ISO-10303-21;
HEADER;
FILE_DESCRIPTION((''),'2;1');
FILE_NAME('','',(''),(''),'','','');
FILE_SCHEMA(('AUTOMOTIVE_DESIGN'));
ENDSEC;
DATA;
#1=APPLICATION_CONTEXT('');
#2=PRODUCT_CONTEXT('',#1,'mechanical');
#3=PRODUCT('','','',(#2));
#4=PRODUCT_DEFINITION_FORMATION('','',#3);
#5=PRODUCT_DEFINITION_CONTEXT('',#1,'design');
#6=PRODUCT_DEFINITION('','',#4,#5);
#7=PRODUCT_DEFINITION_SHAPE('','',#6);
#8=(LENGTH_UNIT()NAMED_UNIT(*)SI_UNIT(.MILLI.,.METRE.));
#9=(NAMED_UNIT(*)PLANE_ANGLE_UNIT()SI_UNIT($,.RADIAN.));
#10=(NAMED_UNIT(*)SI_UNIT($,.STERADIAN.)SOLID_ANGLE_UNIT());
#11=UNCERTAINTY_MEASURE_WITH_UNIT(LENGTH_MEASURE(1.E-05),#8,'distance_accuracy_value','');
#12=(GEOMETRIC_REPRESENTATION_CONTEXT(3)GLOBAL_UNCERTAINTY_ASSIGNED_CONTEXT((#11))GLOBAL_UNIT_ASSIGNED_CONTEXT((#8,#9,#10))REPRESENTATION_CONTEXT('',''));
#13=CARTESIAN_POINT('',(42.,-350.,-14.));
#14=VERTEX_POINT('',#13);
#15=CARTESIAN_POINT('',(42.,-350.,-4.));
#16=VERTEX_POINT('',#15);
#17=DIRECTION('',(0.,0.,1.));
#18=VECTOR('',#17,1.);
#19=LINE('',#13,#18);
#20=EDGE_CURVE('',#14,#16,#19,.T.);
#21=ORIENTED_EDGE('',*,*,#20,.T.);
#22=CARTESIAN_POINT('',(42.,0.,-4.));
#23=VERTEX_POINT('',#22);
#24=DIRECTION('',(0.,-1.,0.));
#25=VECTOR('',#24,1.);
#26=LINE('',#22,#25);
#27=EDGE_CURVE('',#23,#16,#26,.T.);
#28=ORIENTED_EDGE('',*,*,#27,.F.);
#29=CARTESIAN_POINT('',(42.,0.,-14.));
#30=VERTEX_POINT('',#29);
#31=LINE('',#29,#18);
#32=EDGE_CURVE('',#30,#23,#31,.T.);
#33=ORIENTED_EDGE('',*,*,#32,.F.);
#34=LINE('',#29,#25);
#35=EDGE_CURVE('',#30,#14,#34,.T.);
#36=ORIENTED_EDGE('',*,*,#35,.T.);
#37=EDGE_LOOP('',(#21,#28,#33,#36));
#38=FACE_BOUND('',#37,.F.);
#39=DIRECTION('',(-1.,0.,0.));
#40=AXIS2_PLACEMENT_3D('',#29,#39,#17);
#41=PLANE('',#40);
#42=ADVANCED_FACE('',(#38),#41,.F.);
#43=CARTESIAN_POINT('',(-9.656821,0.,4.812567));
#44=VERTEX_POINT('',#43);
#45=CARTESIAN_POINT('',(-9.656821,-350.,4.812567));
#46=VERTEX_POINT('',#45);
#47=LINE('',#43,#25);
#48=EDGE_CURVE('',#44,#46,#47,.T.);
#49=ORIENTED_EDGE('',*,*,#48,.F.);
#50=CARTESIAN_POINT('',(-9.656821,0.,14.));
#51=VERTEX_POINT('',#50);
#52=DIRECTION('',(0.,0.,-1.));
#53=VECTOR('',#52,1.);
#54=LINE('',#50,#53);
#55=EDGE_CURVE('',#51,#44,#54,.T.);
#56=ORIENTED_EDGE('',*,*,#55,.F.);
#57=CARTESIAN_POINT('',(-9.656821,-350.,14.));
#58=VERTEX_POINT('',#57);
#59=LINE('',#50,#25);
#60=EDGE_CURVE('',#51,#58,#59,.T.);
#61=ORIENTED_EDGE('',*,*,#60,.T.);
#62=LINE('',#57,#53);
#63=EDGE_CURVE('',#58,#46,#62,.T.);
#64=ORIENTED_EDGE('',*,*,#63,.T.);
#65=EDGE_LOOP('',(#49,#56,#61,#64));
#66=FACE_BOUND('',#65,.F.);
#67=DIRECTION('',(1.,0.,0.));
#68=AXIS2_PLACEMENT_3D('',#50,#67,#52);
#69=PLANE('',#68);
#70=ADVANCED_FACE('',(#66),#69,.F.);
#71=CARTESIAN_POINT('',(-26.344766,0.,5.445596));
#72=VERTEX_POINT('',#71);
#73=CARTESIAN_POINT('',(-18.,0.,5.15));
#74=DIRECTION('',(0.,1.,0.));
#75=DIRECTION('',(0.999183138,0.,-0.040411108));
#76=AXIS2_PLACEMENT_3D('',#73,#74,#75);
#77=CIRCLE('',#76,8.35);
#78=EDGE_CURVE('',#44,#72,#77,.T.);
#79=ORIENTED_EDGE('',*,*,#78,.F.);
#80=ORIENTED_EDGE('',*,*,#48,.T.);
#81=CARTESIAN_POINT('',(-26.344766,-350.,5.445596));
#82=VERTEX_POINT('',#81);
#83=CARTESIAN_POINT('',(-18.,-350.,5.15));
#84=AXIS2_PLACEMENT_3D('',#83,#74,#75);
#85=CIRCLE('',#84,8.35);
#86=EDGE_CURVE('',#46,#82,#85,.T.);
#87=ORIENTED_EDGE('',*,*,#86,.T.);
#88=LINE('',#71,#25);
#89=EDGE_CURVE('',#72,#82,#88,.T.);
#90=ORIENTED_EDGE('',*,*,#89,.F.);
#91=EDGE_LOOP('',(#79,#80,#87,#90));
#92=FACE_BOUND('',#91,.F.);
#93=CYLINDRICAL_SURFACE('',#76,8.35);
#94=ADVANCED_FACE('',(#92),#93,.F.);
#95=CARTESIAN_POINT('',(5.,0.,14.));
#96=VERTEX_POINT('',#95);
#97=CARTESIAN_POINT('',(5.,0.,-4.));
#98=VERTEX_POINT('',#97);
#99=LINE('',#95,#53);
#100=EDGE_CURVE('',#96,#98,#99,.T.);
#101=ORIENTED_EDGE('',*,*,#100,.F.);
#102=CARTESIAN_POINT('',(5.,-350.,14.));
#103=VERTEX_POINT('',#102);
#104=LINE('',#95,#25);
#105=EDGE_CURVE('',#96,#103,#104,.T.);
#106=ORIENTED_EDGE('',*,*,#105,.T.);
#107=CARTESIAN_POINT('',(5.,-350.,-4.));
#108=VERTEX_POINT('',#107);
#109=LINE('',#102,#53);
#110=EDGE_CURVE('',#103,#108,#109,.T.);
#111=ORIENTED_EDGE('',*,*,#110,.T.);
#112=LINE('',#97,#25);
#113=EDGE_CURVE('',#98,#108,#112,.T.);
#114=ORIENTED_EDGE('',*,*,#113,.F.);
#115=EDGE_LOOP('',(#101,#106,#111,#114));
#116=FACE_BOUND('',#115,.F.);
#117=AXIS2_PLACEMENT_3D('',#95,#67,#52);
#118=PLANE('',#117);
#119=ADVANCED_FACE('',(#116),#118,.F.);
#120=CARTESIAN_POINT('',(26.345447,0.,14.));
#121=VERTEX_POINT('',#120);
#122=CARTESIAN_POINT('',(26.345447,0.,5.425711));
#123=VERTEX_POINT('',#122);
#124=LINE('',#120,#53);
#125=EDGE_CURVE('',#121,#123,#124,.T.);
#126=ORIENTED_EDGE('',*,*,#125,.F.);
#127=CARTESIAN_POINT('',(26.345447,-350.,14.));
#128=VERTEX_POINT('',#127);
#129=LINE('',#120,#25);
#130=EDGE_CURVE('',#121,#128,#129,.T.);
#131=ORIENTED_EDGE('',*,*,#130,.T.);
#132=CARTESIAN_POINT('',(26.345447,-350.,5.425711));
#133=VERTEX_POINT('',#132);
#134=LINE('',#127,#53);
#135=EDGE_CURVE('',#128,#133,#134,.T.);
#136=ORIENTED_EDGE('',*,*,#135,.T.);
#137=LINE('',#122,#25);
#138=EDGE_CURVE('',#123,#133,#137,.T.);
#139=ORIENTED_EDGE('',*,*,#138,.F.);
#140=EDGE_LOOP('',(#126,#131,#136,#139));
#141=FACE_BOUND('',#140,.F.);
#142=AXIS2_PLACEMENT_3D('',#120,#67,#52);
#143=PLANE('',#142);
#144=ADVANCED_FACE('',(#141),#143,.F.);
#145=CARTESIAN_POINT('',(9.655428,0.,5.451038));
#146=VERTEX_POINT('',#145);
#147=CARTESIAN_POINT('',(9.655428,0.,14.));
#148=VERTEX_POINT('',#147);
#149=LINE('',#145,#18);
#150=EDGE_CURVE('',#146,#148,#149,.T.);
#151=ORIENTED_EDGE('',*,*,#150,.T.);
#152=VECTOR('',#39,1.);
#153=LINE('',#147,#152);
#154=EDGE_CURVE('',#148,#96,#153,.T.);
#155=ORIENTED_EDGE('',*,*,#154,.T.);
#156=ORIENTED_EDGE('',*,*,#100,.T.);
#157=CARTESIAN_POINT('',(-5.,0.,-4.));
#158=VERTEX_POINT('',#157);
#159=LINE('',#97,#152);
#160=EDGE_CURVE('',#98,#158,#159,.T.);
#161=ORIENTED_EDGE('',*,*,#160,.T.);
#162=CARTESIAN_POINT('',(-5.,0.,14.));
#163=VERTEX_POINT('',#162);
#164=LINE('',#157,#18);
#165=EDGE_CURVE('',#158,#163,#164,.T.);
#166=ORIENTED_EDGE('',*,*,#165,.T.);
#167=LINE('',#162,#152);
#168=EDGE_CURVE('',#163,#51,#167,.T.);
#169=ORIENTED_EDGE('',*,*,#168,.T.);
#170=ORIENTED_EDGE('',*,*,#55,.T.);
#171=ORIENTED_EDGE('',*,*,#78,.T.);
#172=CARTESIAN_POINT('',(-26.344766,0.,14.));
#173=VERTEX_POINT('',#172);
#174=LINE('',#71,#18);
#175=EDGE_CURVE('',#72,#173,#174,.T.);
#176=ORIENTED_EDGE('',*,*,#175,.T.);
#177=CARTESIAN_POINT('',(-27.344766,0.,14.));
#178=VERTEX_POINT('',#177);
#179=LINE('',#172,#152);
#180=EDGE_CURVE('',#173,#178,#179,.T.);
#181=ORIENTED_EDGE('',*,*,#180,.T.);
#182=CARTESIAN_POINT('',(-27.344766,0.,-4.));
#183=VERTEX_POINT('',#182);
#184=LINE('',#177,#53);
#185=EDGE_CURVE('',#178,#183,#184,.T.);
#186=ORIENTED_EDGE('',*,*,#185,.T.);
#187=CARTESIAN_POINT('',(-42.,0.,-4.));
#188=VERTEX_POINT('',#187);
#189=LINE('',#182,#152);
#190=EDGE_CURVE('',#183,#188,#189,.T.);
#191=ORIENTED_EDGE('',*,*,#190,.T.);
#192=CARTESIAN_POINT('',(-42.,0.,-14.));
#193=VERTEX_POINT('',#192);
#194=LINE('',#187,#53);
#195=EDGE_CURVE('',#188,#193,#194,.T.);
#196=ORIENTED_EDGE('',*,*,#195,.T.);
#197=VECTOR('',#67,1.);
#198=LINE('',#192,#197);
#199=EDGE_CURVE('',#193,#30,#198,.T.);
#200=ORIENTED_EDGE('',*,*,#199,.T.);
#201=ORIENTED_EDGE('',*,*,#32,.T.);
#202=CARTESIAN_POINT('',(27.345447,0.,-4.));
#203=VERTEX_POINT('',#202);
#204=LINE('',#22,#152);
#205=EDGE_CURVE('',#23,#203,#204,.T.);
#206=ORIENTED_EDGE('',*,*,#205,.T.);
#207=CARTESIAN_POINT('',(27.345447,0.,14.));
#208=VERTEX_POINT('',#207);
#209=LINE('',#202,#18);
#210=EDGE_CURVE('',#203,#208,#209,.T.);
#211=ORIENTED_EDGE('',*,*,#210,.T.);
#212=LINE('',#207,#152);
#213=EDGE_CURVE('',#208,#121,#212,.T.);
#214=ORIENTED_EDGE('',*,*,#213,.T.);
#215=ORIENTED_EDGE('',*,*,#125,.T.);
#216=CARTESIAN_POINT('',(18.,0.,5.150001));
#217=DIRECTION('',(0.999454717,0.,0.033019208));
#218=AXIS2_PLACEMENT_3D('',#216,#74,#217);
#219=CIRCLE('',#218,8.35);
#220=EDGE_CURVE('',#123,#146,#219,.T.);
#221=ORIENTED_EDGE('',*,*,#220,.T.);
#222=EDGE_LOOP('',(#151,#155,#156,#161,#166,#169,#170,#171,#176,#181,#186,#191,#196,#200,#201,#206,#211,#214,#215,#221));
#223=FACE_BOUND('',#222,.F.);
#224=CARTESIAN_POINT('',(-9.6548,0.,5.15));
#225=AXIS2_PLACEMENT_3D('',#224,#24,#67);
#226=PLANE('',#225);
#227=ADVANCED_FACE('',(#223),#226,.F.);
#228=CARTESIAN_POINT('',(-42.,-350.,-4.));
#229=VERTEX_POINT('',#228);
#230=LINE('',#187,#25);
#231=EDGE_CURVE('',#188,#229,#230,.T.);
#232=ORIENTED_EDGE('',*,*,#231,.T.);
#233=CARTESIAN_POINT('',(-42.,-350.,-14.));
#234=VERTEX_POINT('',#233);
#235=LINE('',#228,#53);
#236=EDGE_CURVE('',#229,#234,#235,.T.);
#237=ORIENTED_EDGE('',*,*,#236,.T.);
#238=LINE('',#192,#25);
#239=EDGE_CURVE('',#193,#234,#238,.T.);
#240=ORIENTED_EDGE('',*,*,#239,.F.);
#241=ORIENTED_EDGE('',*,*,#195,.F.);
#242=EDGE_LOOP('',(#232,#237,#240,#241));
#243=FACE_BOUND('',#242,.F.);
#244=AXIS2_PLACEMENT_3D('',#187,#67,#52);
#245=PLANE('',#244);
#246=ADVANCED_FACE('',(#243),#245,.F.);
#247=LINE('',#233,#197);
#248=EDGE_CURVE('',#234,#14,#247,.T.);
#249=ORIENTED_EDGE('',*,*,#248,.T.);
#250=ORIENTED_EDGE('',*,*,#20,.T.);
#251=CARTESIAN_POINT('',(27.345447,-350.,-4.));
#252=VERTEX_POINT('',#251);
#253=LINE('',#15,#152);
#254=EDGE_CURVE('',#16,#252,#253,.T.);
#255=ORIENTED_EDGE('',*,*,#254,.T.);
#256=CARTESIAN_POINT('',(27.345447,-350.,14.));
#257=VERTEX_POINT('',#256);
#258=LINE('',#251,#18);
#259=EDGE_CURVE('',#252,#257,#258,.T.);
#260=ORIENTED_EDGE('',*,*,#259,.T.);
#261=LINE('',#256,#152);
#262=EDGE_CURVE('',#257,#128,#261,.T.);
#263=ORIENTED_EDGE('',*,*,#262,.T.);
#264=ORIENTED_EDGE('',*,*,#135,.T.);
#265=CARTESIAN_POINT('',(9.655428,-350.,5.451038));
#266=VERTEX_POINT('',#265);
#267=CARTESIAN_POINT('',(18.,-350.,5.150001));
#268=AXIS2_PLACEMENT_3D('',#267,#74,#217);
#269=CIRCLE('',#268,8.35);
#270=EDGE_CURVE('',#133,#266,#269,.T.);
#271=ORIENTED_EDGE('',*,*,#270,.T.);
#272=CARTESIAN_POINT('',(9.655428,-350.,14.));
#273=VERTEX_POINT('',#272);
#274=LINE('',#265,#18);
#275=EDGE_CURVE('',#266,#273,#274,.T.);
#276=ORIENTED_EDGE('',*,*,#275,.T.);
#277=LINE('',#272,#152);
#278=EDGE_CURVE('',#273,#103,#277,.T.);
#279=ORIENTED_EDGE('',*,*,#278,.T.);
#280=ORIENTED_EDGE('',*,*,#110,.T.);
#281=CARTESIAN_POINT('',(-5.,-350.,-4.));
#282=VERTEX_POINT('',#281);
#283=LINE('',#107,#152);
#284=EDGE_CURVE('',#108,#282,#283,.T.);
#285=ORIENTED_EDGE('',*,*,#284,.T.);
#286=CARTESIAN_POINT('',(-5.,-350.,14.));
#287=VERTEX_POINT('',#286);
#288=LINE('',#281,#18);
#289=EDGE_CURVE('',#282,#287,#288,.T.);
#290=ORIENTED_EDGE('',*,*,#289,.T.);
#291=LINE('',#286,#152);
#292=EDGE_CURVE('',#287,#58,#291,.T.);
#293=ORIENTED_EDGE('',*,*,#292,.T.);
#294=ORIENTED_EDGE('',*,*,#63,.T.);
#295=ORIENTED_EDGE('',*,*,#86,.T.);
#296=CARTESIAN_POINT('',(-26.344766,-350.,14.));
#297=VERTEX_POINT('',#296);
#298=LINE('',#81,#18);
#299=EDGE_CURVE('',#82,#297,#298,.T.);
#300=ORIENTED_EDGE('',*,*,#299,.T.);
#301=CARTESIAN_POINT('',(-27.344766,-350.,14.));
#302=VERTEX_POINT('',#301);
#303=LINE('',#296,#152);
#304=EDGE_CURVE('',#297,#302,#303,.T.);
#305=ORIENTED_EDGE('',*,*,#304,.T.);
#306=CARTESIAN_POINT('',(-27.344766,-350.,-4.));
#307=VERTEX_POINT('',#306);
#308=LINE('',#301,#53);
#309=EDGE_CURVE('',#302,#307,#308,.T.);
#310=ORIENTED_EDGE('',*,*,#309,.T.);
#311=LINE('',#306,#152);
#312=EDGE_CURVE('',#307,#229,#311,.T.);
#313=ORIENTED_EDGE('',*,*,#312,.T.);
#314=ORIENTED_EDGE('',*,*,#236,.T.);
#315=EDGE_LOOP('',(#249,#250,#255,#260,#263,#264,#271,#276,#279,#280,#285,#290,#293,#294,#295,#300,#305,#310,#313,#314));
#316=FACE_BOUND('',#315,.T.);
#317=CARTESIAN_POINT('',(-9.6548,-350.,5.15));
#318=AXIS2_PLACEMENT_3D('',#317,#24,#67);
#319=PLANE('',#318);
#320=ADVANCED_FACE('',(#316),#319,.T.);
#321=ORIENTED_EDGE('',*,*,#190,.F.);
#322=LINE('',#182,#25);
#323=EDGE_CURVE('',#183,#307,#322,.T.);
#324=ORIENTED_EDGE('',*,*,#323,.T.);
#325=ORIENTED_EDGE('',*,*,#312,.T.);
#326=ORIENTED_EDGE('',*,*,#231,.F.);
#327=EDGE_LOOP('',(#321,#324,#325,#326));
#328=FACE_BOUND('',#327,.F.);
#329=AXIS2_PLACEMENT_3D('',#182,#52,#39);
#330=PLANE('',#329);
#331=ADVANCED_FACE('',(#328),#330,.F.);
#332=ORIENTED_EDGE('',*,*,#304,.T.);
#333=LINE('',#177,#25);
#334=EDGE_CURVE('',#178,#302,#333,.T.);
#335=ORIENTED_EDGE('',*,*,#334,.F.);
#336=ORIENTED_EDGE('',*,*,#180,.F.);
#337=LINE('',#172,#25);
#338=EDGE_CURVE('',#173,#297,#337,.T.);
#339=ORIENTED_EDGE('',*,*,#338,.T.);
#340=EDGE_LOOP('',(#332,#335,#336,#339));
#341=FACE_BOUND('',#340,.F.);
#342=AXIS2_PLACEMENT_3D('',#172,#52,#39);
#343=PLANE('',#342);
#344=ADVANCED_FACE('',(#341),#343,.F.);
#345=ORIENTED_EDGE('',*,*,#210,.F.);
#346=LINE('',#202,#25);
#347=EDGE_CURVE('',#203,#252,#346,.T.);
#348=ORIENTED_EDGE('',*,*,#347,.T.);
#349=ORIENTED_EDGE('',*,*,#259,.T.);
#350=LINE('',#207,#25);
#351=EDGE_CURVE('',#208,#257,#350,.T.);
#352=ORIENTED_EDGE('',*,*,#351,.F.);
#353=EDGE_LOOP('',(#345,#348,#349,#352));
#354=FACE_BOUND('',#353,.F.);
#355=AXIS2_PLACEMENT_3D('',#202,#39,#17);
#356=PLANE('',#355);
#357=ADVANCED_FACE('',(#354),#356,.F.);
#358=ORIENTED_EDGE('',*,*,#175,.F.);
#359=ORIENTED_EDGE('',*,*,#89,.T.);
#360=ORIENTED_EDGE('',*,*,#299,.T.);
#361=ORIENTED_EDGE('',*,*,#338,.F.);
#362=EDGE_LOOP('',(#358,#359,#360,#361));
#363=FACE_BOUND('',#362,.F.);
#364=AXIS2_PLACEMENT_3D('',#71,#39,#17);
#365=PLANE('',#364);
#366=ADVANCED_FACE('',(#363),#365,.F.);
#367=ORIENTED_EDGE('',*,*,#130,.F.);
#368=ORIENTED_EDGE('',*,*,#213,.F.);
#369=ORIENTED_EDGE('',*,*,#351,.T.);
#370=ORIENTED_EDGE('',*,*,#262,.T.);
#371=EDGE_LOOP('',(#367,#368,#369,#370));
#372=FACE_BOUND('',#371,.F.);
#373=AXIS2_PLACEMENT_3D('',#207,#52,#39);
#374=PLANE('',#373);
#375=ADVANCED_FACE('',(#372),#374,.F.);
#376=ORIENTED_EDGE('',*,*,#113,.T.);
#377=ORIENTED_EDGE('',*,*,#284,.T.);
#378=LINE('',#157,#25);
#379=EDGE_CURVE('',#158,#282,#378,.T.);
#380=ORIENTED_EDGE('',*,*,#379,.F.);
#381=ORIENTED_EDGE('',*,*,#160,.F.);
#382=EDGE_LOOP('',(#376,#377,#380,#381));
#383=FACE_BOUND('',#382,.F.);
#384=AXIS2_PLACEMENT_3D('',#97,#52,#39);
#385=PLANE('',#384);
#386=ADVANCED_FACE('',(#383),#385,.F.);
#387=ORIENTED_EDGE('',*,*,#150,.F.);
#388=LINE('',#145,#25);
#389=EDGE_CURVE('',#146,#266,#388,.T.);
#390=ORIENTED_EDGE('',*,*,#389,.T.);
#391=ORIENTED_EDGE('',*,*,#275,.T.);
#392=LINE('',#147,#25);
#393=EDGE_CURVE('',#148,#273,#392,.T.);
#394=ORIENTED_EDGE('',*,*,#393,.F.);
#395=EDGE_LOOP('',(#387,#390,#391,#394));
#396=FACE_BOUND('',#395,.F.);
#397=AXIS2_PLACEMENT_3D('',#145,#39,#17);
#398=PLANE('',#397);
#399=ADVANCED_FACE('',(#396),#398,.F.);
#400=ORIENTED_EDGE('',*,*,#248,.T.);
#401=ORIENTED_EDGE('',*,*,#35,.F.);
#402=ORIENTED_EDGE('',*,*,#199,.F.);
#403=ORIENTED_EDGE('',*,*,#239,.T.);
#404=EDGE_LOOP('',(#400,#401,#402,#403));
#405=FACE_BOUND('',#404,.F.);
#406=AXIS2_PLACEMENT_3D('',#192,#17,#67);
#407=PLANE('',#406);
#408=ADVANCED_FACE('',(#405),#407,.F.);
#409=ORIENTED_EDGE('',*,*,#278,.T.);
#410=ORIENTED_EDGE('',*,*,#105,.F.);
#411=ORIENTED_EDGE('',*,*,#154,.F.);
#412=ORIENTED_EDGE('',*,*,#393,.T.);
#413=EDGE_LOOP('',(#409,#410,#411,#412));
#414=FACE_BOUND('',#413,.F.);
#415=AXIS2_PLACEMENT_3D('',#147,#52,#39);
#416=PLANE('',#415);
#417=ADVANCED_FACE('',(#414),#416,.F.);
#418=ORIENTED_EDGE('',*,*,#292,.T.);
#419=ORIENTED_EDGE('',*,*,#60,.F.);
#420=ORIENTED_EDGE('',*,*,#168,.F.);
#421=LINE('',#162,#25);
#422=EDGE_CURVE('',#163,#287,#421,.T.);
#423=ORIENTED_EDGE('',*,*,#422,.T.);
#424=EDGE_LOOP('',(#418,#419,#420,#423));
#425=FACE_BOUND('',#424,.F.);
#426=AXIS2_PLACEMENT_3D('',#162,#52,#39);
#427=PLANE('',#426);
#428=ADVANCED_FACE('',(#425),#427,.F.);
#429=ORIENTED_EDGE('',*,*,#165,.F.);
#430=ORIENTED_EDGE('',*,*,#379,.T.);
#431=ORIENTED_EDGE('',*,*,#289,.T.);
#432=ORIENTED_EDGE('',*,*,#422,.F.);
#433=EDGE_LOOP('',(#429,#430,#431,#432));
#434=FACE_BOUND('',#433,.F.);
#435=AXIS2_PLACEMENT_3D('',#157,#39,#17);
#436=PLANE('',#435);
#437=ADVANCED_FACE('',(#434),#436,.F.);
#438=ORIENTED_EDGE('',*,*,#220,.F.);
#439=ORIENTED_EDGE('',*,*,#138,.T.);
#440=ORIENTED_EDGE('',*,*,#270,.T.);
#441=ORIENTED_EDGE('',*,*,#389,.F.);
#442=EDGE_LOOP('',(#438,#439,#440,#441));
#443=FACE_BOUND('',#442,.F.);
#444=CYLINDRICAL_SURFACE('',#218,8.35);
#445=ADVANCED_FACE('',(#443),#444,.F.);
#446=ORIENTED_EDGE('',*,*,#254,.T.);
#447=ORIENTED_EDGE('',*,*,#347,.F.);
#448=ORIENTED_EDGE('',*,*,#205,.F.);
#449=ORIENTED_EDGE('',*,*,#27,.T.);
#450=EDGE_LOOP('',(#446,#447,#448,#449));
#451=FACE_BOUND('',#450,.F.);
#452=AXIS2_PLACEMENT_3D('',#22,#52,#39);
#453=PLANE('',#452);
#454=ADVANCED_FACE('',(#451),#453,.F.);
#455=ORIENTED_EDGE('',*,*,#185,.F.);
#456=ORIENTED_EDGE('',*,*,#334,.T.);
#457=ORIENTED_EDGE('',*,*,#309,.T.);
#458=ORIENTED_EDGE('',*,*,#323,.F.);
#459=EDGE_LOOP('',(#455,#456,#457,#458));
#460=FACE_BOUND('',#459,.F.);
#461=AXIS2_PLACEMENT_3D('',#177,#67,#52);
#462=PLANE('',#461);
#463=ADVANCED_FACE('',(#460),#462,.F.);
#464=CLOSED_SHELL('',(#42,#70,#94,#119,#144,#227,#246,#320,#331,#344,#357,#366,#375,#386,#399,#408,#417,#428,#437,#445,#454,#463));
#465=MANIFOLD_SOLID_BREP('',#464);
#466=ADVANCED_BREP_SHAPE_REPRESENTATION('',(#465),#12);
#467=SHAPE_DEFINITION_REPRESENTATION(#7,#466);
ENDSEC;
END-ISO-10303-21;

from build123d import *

# Parameters (mm, degrees)
F1_DEPTH = 350


with BuildPart() as f1:
    # F0 (on Front) → F1 (new body)
    with BuildSketch(Plane.XZ):
        with BuildLine():
            Line((-9.656821, 5.487433), (-9.656821, 4.812567))
            ThreePointArc((-9.656821, 4.812567), (-9.65, 5.15), (-9.656821, 5.487433))
        make_face()
        with BuildLine():
            Line((-42, -14), (42, -14))
            Line((42, -14), (42, -4))
            Line((42, -4), (27.345447, -4))
            Line((27.345447, -4), (27.345447, 14))
            Line((27.345447, 14), (26.345447, 14))
            Line((26.345447, 14), (26.345447, 5.425711))
            ThreePointArc((26.345447, 5.425711), (17.987329, -3.19999), (9.655428, 5.451038))
            Line((9.655428, 5.451038), (9.655428, 14))
            Line((9.655428, 14), (5, 14))
            Line((5, 14), (5, -4))
            Line((5, -4), (-5, -4))
            Line((-5, -4), (-5, 14))
            Line((-5, 14), (-9.656821, 14))
            Line((-9.656821, 14), (-9.656821, 5.487433))
            ThreePointArc((-9.656821, 5.487433), (-9.65, 5.15), (-9.656821, 4.812567))
            ThreePointArc((-9.656821, 4.812567), (-18.316515, -3.193999), (-26.344766, 5.445596))
            Line((-26.344766, 5.445596), (-26.344766, 14))
            Line((-26.344766, 14), (-27.344766, 14))
            Line((-27.344766, 14), (-27.344766, -4))
            Line((-27.344766, -4), (-42, -4))
            Line((-42, -4), (-42, -14))
        make_face()
    extrude(amount=F1_DEPTH)


solid = f1.part
